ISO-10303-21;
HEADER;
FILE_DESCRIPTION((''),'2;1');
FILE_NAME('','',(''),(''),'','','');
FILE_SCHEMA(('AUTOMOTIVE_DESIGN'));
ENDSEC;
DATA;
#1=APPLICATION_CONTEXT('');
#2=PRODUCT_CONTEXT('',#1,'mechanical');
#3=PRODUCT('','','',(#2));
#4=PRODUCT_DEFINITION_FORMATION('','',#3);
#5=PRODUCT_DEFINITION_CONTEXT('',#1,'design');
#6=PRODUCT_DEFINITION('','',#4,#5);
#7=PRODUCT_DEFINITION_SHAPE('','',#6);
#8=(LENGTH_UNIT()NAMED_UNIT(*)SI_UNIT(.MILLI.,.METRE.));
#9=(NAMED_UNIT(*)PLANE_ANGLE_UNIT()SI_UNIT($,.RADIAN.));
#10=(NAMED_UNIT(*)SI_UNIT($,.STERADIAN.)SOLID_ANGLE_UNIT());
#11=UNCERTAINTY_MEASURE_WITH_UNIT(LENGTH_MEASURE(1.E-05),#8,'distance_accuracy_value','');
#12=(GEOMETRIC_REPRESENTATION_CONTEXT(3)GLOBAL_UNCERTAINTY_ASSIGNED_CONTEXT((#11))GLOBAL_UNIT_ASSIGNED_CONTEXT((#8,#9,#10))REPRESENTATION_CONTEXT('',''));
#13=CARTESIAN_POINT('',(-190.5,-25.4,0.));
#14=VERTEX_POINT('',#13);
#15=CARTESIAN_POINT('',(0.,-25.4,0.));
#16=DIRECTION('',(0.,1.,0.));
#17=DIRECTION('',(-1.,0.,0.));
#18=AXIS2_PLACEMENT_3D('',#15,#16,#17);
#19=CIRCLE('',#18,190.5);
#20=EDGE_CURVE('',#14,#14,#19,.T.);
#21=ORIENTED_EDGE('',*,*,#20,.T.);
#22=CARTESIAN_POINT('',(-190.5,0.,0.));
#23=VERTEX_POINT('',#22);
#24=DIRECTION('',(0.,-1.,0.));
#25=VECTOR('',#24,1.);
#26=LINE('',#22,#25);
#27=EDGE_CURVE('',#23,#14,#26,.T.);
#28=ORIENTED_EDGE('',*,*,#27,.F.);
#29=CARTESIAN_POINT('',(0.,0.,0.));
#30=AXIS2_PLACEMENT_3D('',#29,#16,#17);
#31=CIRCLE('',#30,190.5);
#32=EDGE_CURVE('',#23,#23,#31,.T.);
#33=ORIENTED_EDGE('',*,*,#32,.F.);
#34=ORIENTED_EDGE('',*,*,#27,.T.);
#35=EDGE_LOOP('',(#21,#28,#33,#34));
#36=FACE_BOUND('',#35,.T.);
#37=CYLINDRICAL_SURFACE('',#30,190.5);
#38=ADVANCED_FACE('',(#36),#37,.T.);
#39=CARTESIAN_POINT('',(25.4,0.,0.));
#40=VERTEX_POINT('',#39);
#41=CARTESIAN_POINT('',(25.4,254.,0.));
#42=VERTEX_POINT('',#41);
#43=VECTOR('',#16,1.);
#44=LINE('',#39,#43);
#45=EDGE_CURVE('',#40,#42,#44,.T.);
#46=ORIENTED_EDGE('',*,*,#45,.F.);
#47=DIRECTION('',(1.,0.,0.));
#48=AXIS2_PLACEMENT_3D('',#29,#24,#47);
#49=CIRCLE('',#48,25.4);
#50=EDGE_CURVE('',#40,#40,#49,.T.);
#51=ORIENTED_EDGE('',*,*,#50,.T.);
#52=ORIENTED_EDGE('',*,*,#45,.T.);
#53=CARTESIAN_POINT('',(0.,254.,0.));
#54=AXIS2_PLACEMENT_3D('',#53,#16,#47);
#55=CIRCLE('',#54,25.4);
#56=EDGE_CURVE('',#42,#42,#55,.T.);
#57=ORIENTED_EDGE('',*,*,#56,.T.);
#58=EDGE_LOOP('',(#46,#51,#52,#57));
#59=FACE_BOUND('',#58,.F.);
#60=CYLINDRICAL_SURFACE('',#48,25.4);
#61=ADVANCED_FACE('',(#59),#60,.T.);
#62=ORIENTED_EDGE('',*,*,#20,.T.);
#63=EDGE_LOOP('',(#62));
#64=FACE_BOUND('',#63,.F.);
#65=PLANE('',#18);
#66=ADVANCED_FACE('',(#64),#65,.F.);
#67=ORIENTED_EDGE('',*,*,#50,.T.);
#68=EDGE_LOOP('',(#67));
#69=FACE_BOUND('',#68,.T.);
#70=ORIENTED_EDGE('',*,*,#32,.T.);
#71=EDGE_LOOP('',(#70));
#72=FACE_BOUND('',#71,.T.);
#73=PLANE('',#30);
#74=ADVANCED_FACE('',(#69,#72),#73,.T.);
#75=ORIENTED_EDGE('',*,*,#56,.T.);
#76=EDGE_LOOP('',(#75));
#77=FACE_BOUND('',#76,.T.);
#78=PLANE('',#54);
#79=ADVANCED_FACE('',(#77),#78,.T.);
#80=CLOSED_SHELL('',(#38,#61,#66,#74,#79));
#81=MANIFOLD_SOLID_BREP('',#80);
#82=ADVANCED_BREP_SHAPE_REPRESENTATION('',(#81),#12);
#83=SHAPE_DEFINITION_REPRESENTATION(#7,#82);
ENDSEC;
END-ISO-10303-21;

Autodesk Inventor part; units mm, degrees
ref_plane "YZ Plane" through (0, 0, 0) normal (1, 0, 0) x (0, 1, 0)
ref_plane "XZ Plane" through (0, 0, 0) normal (0, 1, 0) x (-1, 0, 0)
ref_plane "XY Plane" through (0, 0, 0) normal (0, 0, 1) x (1, 0, 0)
sketch "Sketch1" plane through (0, 0, 0) normal (0, 1, 0) x (-1, 0, 0)
  circle A0 centre (0, 0) radius 190.5
  circle A1 centre (0, 0) radius 25.4
  dimension "d0" = 381
  dimension "d1" = 50.8
extrude "Extrusion1" add sketch "Sketch1" against normal blind 25.4
sketch "Sketch2" plane through (0, 0, 0) normal (0, 1, 0) x (1, 0, 0)
  circle A0 centre (0, 0) radius 25.4
extrude "Extrusion2" add sketch "Sketch2" along normal blind 254 and the other way blind 25.4
